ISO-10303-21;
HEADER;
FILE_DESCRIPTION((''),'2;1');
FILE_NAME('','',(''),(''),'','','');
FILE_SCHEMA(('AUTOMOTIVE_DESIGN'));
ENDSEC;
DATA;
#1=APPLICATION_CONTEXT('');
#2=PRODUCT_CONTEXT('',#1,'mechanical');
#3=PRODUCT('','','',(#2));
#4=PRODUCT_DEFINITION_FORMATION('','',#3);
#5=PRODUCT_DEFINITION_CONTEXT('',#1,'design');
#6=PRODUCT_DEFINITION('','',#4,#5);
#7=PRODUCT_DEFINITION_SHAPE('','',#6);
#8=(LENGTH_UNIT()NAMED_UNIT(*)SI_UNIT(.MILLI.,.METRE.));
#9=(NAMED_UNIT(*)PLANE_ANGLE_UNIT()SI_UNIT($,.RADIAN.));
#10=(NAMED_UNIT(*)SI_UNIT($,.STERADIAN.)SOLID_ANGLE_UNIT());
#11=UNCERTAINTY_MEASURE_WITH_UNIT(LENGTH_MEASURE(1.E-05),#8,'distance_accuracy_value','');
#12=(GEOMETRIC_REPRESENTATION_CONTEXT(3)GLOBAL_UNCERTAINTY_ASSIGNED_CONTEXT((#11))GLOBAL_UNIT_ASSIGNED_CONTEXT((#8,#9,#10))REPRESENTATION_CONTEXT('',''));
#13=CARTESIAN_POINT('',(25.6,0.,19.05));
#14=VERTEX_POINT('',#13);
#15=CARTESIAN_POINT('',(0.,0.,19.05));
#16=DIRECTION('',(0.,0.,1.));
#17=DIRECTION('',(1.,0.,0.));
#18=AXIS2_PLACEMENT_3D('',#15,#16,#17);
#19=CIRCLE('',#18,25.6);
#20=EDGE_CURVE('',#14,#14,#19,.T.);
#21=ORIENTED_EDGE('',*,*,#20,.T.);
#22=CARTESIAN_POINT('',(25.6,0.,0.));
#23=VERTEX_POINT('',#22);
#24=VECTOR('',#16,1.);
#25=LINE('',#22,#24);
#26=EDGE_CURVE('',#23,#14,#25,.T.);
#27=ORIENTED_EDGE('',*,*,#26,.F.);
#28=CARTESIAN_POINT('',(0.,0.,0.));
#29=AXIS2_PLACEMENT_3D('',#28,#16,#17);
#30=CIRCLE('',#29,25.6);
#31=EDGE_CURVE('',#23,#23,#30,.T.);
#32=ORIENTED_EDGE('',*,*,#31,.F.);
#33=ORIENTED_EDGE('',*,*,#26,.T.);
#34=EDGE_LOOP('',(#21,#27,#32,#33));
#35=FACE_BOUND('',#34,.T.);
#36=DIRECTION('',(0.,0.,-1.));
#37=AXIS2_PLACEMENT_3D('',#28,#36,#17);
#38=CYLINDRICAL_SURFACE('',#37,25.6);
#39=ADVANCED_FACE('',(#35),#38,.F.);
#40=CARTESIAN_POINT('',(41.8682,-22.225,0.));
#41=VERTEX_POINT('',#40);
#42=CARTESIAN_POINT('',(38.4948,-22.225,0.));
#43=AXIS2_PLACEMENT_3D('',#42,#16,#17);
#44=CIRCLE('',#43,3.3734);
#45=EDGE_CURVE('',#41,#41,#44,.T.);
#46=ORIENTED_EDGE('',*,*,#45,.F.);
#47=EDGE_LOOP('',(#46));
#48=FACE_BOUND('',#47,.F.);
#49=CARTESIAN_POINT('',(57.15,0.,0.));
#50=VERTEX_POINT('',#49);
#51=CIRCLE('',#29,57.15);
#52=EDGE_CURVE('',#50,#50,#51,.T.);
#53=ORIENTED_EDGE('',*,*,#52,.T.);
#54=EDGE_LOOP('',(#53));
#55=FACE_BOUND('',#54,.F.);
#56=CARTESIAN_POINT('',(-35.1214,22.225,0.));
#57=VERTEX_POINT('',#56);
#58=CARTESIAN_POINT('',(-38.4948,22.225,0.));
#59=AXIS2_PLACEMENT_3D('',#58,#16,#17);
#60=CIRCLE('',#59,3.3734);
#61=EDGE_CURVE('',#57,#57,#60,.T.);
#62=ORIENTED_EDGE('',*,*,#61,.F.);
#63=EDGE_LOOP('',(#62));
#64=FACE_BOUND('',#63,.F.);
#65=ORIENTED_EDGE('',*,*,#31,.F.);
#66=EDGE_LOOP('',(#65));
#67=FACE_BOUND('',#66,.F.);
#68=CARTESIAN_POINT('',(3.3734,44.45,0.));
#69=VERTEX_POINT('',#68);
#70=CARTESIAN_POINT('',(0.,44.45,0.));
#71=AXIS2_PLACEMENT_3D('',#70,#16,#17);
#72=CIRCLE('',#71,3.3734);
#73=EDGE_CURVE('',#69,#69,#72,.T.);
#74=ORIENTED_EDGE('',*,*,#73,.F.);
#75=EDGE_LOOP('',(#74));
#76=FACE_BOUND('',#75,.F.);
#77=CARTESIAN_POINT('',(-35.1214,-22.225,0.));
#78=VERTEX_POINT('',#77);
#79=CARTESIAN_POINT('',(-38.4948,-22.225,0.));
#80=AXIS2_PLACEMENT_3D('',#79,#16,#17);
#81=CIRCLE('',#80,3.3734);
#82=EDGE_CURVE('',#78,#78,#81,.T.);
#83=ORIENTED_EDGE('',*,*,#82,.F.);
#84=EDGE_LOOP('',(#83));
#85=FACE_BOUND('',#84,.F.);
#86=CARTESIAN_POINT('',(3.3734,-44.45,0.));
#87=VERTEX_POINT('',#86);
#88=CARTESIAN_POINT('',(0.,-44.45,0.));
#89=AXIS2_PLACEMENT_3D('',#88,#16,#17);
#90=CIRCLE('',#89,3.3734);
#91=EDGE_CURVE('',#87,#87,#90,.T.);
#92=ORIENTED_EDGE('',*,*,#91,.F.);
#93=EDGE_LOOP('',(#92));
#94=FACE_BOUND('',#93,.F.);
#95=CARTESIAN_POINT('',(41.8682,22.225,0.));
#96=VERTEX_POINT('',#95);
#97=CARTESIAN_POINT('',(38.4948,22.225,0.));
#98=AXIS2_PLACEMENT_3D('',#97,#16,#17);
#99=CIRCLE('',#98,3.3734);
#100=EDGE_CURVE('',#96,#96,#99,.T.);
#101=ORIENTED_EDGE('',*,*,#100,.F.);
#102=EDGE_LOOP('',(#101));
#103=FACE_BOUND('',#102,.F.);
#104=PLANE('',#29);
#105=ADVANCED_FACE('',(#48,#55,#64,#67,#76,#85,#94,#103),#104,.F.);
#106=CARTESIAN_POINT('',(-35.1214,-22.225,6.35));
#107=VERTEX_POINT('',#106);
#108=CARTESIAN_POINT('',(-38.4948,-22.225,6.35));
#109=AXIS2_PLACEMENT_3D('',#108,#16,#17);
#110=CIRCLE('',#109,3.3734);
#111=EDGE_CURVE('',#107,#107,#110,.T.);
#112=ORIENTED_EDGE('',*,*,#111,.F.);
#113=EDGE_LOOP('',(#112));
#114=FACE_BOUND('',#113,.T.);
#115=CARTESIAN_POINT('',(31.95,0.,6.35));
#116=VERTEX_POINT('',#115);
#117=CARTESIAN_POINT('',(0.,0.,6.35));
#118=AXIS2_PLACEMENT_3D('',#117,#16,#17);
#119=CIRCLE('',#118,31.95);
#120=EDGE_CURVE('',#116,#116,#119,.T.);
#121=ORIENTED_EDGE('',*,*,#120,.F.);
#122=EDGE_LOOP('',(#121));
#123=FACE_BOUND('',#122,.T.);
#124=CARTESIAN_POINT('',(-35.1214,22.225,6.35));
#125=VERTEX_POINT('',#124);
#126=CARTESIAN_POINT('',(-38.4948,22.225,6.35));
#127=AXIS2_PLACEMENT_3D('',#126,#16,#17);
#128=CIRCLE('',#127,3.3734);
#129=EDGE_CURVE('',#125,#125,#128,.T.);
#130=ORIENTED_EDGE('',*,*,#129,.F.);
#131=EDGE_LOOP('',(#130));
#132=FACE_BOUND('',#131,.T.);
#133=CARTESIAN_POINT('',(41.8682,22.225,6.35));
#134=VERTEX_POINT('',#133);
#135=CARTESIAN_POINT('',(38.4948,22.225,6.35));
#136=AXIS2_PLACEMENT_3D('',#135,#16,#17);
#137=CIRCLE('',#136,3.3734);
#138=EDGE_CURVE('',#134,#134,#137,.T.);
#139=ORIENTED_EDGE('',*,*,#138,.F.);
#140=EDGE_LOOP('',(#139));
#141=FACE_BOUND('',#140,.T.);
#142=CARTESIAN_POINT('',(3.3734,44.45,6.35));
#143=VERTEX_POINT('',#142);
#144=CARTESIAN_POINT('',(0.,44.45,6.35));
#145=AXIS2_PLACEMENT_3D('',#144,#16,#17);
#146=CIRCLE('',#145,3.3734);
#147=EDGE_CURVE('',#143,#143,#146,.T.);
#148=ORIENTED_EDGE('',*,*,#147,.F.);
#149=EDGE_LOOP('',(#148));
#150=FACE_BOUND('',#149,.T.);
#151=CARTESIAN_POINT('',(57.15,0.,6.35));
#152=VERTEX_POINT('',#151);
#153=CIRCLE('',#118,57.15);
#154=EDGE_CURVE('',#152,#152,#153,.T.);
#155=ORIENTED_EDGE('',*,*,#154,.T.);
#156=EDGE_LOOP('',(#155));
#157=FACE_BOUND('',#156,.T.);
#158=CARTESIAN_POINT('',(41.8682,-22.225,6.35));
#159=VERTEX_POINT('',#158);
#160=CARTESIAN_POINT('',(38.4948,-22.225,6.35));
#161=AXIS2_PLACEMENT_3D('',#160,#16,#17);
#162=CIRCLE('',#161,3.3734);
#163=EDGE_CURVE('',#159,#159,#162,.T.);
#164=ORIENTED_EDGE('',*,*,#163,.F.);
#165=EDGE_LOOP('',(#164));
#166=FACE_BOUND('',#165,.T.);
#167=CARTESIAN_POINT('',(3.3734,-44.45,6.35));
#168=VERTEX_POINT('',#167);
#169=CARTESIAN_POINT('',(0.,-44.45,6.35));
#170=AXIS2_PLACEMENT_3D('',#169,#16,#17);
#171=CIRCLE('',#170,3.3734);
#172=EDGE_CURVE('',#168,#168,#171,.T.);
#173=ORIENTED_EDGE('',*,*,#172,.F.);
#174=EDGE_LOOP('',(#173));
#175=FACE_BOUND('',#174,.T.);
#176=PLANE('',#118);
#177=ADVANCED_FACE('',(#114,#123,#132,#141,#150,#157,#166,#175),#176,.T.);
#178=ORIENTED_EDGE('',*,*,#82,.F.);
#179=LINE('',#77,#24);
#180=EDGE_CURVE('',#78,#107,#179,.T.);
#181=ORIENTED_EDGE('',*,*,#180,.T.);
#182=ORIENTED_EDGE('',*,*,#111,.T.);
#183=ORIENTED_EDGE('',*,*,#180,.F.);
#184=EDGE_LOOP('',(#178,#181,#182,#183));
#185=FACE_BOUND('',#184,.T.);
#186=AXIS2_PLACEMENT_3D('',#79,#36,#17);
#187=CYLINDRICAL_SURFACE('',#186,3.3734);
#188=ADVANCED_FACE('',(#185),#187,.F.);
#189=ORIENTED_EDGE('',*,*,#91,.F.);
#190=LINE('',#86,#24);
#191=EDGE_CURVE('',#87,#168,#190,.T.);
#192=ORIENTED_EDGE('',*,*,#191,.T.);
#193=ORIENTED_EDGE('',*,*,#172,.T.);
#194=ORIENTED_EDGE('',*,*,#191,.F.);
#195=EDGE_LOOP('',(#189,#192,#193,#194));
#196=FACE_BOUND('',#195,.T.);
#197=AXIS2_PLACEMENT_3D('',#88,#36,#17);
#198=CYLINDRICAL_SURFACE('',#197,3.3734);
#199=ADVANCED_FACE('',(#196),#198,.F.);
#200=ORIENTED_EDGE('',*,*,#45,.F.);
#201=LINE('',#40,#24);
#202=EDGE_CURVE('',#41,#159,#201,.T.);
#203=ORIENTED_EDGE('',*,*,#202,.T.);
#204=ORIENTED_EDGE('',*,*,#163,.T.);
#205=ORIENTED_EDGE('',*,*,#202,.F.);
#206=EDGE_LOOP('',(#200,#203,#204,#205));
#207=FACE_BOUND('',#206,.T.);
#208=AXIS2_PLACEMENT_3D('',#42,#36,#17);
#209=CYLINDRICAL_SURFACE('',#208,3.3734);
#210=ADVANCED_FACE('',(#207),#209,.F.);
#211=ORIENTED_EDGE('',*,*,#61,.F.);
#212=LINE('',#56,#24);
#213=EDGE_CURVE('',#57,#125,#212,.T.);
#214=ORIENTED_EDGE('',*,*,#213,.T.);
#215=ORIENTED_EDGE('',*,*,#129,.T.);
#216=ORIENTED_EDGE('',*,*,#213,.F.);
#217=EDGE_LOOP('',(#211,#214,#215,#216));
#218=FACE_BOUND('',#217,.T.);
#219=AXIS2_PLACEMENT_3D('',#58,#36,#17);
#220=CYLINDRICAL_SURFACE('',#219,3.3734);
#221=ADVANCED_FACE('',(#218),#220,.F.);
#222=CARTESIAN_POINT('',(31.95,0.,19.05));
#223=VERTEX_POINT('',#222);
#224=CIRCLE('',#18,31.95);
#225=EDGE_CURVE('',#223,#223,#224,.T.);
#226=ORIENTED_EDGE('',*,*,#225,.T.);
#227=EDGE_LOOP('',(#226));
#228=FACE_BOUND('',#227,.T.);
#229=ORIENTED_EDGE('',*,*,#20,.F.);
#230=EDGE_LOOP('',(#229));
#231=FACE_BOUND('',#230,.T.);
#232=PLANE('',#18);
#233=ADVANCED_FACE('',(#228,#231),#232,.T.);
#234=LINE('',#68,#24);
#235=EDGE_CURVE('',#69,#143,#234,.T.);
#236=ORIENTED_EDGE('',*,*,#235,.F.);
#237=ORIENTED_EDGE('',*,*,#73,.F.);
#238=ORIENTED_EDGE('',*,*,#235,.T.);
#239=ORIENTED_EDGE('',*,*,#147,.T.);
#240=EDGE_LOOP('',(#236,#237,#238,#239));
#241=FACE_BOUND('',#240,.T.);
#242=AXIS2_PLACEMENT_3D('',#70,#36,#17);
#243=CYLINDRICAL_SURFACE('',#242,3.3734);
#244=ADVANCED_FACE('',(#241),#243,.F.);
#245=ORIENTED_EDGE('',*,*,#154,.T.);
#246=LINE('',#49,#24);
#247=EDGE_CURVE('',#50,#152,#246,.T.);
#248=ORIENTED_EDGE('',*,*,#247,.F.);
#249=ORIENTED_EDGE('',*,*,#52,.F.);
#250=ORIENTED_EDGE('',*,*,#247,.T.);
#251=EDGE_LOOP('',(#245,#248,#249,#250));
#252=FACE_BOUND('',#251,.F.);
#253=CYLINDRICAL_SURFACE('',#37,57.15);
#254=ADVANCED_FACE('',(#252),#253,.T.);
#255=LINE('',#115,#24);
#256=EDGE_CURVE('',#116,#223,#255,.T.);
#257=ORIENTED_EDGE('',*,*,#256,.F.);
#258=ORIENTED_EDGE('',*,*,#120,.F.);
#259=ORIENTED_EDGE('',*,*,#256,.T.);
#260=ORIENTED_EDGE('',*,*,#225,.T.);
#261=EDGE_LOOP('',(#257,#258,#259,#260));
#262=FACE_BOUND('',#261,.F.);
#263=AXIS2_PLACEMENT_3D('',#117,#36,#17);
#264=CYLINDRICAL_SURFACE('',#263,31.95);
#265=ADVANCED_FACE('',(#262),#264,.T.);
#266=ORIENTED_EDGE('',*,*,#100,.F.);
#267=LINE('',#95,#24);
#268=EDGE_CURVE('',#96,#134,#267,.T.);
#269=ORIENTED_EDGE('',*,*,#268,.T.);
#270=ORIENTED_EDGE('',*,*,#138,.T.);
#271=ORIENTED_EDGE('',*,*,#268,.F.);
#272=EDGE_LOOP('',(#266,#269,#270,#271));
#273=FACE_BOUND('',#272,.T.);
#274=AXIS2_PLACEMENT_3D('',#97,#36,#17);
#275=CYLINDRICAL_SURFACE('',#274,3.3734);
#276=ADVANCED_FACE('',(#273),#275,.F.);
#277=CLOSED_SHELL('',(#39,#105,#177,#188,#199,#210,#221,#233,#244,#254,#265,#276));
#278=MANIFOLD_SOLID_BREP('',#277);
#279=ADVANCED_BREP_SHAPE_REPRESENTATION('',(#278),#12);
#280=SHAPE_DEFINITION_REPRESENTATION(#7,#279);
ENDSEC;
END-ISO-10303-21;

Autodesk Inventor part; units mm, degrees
ref_plane "YZ Plane" through (0, 0, 0) normal (1, 0, 0) x (0, 1, 0)
ref_plane "XZ Plane" through (0, 0, 0) normal (0, 1, 0) x (-1, 0, 0)
ref_plane "XY Plane" through (0, 0, 0) normal (0, 0, 1) x (1, 0, 0)
sketch "Sketch1" plane through (0, 0, 0) normal (0, 0, 1) x (1, 0, 0)
  circle A0 centre (0, 0) radius 25.6
  circle A1 centre (0, 0) radius 57.15
  circle A2 centre (0, 44.45) radius 3.3734
  circle A3 centre (-38.4948, 22.225) radius 3.3734
  circle A4 centre (-38.4948, -22.225) radius 3.3734
  circle A5 centre (0, -44.45) radius 3.3734
  circle A6 centre (38.4948, -22.225) radius 3.3734
  circle A7 centre (38.4948, 22.225) radius 3.3734
  dimension "d0" = 51.2
  dimension "d1" = 44.45
  dimension "d2" = 6.7469
  dimension "d3" = 114.3
  dimension "d6" = 360
extrude "Extrusion1" add sketch "Sketch1" along normal blind 6.35
sketch "Sketch2" plane through (0, 0, 6.35) normal (0, 0, 1) x (1, 0, 0)
  circle A0 centre (0, 0) radius 31.95
  circle A1 centre (0, 0) radius 25.6 projected
  dimension "d10" = 6.35
extrude "Extrusion2" add sketch "Sketch2" along normal blind 12.7
properties part number "IndexerWheelBushing"
